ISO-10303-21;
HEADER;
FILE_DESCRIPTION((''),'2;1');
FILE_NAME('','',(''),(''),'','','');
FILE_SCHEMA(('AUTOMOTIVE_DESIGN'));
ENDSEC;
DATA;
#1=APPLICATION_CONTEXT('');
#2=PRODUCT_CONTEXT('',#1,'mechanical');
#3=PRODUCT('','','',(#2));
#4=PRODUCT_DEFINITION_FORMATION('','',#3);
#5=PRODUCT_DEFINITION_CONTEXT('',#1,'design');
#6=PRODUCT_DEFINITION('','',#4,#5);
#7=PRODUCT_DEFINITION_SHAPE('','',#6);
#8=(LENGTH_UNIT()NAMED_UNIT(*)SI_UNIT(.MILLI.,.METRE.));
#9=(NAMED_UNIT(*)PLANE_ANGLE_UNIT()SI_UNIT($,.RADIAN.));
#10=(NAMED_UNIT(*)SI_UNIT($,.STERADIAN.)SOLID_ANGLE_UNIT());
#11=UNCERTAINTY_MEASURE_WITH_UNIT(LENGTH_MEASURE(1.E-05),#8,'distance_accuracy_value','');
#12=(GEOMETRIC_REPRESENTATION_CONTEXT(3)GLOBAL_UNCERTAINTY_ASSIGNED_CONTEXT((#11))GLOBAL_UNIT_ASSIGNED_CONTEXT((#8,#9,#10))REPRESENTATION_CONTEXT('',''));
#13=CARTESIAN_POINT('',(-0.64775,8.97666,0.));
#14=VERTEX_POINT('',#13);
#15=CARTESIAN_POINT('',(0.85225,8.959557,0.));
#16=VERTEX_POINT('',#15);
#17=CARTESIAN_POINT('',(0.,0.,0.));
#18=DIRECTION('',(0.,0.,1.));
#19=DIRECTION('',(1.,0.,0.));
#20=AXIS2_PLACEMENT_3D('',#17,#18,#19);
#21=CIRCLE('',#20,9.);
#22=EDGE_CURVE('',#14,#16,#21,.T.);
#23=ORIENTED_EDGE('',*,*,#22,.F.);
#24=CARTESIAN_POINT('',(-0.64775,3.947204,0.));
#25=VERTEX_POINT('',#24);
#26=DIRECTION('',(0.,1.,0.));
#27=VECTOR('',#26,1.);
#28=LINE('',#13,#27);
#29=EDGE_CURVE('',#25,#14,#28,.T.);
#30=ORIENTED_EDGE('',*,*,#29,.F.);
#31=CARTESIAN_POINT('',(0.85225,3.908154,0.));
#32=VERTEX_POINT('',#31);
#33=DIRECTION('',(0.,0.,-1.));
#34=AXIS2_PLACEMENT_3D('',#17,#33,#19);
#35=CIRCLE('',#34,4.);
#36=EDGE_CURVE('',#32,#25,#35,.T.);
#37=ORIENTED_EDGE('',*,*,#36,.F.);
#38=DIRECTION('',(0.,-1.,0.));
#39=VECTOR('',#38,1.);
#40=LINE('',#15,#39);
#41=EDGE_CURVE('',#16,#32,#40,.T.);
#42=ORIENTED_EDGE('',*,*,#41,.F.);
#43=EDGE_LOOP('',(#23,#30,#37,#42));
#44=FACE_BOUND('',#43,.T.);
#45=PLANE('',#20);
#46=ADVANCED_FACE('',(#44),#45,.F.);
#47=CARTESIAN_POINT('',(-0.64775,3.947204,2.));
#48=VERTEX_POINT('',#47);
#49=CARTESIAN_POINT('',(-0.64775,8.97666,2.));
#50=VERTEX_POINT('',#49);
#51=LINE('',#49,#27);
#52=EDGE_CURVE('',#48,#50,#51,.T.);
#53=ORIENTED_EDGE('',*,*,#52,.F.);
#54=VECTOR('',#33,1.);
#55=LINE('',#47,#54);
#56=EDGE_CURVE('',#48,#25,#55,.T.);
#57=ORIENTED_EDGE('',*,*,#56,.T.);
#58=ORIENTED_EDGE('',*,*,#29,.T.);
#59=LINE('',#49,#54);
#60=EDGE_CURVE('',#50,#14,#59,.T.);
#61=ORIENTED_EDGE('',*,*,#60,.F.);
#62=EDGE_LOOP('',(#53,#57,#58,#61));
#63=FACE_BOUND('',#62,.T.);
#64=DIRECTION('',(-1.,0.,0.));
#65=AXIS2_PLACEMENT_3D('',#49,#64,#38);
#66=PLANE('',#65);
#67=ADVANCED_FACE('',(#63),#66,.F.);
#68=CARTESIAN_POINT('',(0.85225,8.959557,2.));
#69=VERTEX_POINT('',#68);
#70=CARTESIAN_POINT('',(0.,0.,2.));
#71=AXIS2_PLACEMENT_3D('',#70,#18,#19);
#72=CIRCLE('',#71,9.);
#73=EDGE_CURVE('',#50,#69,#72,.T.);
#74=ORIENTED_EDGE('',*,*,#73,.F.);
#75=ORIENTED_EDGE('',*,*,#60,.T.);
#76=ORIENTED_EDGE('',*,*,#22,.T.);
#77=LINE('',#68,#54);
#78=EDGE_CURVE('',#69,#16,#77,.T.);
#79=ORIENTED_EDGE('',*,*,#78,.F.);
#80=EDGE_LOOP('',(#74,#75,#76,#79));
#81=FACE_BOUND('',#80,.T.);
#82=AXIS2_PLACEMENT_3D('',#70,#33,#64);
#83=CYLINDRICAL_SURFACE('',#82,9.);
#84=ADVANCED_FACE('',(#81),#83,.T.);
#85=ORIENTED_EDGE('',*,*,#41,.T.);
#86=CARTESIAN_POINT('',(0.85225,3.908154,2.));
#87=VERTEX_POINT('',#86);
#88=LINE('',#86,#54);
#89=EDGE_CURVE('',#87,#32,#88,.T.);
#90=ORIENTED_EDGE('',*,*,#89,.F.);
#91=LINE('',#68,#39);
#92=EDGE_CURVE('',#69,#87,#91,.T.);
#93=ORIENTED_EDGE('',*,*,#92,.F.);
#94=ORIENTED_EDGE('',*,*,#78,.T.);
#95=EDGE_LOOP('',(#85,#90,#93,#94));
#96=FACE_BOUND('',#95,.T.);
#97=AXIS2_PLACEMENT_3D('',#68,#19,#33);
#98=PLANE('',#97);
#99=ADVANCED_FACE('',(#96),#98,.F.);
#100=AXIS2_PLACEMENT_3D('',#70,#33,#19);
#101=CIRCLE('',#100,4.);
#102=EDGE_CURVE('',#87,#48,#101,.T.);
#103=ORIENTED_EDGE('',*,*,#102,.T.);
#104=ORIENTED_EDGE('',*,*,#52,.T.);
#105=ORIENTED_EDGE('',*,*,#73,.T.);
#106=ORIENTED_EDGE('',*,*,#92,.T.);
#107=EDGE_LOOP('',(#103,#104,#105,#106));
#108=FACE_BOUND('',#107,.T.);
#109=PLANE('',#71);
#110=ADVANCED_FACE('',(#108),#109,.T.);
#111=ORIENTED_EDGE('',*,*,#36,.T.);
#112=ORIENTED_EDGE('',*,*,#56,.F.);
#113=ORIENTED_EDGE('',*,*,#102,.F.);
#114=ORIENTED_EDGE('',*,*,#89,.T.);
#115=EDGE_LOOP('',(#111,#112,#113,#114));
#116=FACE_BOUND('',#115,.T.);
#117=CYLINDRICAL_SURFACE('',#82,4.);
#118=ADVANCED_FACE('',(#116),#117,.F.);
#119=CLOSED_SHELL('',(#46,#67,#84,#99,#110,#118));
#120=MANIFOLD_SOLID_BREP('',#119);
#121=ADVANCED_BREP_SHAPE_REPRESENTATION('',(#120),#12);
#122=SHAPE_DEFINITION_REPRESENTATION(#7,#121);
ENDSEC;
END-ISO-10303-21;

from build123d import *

# Parameters (mm, degrees)
BOSS_EXTRUDE1_DEPTH = 2


with BuildPart() as part:
    # Sketch1 → Boss-Extrude1 (new body)
    with BuildSketch(Plane.XY):
        with BuildLine():
            Line((-0.647749549, 8.976659764), (-0.647749549, 3.94720414))
            ThreePointArc((-0.647749549, 3.94720414), (-0.104097931, -3.998645223), (0.852250451, 3.90815419))
            Line((0.852250451, 3.90815419), (0.852250451, 8.95955742))
            ThreePointArc((0.852250451, 8.95955742), (-0.102607394, -8.999415077), (-0.647749549, 8.976659764))
        make_face()
    extrude(amount=BOSS_EXTRUDE1_DEPTH)


solid = part.part
